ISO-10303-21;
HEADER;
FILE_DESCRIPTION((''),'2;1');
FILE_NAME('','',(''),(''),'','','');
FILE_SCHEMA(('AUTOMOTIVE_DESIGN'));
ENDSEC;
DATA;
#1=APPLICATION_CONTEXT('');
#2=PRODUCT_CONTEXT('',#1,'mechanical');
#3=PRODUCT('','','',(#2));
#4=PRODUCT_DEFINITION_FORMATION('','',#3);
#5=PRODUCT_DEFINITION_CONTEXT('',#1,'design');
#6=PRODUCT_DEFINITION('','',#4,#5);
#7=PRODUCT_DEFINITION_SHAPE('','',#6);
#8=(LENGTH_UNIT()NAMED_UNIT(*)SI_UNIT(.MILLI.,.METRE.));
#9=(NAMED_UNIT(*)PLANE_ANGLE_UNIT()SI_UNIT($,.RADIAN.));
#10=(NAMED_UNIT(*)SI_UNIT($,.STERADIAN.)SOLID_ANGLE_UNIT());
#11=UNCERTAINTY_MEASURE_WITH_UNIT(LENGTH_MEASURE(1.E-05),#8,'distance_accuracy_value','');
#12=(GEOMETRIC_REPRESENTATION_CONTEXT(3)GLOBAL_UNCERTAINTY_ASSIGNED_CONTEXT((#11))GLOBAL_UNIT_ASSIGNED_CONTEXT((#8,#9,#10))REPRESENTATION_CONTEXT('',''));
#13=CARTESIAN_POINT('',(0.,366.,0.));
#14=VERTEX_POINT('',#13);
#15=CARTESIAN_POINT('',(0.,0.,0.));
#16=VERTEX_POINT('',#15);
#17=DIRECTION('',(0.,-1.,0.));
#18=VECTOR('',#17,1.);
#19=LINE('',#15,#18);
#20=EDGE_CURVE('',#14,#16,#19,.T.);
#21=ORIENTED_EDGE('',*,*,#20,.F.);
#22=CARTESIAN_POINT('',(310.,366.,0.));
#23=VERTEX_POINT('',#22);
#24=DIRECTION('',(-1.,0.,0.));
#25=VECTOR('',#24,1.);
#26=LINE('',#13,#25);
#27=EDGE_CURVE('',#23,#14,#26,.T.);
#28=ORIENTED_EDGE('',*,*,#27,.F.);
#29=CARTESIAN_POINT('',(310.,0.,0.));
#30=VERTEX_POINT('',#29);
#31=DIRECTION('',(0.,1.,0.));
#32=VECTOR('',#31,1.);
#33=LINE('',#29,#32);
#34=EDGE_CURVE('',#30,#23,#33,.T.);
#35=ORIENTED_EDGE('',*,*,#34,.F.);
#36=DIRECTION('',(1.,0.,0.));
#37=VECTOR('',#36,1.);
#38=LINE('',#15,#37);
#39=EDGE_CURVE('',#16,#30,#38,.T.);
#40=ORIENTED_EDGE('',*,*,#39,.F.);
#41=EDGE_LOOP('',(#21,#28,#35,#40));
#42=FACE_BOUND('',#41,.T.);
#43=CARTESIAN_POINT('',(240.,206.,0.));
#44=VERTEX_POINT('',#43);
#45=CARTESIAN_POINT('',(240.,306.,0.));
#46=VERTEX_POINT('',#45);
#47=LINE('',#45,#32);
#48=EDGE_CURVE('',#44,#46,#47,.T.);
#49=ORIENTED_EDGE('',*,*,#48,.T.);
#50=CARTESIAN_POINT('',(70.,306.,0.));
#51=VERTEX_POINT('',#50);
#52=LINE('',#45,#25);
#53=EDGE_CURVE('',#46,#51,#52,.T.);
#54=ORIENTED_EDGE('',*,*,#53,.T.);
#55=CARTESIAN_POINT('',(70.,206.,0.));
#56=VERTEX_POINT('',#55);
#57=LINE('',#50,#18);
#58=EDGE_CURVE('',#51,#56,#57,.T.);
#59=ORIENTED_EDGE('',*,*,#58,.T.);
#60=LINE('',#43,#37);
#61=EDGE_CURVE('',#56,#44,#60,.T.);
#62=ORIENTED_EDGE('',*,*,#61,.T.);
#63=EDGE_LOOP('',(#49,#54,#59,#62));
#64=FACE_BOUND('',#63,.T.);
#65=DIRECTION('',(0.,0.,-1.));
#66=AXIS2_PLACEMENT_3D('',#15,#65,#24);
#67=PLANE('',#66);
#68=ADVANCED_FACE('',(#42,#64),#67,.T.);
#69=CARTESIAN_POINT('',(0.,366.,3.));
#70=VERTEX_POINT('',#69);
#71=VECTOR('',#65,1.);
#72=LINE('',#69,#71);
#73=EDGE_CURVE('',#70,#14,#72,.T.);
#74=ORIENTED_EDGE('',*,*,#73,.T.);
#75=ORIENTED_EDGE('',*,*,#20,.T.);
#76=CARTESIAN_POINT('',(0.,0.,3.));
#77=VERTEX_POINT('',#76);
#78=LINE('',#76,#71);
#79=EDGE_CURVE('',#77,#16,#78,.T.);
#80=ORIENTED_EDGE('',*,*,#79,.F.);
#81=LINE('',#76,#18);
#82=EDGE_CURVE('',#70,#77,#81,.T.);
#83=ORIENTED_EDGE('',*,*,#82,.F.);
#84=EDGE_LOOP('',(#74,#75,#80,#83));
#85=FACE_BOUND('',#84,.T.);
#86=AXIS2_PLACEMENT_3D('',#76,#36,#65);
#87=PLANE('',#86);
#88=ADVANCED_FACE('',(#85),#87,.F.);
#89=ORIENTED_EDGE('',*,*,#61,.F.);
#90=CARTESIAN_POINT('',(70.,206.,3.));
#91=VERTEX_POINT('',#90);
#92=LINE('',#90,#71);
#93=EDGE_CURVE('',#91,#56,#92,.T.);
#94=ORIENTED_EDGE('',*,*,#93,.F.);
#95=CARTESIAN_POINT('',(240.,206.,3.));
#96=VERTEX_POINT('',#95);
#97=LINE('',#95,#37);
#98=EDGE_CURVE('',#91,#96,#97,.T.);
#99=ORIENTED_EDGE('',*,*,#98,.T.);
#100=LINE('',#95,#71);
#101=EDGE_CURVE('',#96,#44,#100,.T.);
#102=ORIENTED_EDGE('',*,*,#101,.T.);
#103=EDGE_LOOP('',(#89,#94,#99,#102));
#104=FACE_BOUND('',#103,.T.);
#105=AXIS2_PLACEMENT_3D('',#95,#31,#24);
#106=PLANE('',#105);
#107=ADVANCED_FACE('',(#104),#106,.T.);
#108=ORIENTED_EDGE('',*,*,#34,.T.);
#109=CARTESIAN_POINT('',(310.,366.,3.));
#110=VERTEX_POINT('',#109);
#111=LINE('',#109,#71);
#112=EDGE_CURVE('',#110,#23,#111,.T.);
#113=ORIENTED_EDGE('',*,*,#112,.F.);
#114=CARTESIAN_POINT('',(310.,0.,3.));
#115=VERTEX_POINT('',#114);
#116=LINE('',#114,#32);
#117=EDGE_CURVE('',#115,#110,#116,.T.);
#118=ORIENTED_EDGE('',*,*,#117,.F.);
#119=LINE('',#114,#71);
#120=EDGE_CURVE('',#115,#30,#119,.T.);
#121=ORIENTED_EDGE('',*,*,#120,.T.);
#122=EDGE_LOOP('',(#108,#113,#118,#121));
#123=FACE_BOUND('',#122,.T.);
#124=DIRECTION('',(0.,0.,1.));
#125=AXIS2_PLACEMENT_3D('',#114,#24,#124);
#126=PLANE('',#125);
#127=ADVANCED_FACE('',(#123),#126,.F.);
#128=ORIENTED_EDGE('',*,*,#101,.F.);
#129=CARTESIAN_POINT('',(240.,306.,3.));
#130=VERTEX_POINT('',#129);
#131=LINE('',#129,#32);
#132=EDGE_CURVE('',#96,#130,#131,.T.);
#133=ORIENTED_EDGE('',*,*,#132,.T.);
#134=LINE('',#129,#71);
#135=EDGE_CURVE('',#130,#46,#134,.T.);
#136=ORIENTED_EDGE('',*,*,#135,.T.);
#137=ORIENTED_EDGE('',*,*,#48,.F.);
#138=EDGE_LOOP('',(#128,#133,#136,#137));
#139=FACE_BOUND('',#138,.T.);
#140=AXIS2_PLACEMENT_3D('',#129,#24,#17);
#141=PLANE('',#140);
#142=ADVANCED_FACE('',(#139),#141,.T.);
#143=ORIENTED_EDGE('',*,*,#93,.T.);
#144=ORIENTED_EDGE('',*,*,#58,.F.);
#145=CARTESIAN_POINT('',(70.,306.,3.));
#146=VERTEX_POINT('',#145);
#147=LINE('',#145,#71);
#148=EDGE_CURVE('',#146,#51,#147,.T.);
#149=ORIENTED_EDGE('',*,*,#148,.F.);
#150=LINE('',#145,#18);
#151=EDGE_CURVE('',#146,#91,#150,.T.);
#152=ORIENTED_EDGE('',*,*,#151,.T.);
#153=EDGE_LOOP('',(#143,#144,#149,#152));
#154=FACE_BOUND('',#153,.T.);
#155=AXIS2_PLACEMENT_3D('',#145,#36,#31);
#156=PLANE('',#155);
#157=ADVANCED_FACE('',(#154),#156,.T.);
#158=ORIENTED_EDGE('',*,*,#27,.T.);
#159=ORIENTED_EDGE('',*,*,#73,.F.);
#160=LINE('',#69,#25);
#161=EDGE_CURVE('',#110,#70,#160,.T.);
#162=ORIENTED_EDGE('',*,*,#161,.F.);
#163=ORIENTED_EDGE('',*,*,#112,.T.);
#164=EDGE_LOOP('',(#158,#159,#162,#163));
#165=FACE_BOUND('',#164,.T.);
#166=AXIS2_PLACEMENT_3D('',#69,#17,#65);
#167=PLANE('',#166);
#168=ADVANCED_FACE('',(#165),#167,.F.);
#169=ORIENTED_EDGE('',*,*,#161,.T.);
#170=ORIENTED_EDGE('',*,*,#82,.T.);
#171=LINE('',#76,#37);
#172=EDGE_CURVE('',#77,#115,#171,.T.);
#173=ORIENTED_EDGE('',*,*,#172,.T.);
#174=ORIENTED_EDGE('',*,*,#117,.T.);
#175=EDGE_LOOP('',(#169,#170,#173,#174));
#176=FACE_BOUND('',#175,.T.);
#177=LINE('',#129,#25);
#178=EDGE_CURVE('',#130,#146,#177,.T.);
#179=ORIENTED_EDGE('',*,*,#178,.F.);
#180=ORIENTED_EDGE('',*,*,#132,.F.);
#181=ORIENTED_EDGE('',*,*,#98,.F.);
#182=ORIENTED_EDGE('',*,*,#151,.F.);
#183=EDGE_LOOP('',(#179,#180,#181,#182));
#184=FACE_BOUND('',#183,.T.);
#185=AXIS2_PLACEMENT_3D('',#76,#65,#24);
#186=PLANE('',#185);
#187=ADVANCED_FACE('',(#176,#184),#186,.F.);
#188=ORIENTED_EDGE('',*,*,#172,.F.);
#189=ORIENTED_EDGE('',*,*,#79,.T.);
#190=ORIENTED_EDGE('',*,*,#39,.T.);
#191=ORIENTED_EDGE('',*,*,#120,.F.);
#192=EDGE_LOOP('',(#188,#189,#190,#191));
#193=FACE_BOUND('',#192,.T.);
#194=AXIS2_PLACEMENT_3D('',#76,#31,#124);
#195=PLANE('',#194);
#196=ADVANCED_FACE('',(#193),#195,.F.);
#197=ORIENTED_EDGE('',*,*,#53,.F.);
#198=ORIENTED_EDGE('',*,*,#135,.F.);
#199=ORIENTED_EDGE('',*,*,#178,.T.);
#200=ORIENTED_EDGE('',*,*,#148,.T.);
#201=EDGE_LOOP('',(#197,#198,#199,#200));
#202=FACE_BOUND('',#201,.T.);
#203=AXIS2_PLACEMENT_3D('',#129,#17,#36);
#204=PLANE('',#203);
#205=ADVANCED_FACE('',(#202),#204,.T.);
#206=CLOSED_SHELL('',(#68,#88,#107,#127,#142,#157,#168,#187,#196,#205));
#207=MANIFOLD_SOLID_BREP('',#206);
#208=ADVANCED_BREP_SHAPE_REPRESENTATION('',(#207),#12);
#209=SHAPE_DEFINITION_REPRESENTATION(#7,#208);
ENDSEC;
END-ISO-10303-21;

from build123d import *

# Parameters (mm, degrees)
SKETCH_1_W      = 310
SKETCH_1_H      = 366
SKETCH_1_W_2    = 170
SKETCH_1_H_2    = 100
EXTRUDE_1_DEPTH = 3


with BuildPart() as part:
    # 草图1 → 凸台-拉伸1 (new body)
    with BuildSketch(Plane.XY):
        with Locations((155, 183)):
            Rectangle(SKETCH_1_W, SKETCH_1_H)
        with Locations((155, 256)):
            Rectangle(SKETCH_1_W_2, SKETCH_1_H_2, mode=Mode.SUBTRACT)
    extrude(amount=EXTRUDE_1_DEPTH)


solid = part.part
